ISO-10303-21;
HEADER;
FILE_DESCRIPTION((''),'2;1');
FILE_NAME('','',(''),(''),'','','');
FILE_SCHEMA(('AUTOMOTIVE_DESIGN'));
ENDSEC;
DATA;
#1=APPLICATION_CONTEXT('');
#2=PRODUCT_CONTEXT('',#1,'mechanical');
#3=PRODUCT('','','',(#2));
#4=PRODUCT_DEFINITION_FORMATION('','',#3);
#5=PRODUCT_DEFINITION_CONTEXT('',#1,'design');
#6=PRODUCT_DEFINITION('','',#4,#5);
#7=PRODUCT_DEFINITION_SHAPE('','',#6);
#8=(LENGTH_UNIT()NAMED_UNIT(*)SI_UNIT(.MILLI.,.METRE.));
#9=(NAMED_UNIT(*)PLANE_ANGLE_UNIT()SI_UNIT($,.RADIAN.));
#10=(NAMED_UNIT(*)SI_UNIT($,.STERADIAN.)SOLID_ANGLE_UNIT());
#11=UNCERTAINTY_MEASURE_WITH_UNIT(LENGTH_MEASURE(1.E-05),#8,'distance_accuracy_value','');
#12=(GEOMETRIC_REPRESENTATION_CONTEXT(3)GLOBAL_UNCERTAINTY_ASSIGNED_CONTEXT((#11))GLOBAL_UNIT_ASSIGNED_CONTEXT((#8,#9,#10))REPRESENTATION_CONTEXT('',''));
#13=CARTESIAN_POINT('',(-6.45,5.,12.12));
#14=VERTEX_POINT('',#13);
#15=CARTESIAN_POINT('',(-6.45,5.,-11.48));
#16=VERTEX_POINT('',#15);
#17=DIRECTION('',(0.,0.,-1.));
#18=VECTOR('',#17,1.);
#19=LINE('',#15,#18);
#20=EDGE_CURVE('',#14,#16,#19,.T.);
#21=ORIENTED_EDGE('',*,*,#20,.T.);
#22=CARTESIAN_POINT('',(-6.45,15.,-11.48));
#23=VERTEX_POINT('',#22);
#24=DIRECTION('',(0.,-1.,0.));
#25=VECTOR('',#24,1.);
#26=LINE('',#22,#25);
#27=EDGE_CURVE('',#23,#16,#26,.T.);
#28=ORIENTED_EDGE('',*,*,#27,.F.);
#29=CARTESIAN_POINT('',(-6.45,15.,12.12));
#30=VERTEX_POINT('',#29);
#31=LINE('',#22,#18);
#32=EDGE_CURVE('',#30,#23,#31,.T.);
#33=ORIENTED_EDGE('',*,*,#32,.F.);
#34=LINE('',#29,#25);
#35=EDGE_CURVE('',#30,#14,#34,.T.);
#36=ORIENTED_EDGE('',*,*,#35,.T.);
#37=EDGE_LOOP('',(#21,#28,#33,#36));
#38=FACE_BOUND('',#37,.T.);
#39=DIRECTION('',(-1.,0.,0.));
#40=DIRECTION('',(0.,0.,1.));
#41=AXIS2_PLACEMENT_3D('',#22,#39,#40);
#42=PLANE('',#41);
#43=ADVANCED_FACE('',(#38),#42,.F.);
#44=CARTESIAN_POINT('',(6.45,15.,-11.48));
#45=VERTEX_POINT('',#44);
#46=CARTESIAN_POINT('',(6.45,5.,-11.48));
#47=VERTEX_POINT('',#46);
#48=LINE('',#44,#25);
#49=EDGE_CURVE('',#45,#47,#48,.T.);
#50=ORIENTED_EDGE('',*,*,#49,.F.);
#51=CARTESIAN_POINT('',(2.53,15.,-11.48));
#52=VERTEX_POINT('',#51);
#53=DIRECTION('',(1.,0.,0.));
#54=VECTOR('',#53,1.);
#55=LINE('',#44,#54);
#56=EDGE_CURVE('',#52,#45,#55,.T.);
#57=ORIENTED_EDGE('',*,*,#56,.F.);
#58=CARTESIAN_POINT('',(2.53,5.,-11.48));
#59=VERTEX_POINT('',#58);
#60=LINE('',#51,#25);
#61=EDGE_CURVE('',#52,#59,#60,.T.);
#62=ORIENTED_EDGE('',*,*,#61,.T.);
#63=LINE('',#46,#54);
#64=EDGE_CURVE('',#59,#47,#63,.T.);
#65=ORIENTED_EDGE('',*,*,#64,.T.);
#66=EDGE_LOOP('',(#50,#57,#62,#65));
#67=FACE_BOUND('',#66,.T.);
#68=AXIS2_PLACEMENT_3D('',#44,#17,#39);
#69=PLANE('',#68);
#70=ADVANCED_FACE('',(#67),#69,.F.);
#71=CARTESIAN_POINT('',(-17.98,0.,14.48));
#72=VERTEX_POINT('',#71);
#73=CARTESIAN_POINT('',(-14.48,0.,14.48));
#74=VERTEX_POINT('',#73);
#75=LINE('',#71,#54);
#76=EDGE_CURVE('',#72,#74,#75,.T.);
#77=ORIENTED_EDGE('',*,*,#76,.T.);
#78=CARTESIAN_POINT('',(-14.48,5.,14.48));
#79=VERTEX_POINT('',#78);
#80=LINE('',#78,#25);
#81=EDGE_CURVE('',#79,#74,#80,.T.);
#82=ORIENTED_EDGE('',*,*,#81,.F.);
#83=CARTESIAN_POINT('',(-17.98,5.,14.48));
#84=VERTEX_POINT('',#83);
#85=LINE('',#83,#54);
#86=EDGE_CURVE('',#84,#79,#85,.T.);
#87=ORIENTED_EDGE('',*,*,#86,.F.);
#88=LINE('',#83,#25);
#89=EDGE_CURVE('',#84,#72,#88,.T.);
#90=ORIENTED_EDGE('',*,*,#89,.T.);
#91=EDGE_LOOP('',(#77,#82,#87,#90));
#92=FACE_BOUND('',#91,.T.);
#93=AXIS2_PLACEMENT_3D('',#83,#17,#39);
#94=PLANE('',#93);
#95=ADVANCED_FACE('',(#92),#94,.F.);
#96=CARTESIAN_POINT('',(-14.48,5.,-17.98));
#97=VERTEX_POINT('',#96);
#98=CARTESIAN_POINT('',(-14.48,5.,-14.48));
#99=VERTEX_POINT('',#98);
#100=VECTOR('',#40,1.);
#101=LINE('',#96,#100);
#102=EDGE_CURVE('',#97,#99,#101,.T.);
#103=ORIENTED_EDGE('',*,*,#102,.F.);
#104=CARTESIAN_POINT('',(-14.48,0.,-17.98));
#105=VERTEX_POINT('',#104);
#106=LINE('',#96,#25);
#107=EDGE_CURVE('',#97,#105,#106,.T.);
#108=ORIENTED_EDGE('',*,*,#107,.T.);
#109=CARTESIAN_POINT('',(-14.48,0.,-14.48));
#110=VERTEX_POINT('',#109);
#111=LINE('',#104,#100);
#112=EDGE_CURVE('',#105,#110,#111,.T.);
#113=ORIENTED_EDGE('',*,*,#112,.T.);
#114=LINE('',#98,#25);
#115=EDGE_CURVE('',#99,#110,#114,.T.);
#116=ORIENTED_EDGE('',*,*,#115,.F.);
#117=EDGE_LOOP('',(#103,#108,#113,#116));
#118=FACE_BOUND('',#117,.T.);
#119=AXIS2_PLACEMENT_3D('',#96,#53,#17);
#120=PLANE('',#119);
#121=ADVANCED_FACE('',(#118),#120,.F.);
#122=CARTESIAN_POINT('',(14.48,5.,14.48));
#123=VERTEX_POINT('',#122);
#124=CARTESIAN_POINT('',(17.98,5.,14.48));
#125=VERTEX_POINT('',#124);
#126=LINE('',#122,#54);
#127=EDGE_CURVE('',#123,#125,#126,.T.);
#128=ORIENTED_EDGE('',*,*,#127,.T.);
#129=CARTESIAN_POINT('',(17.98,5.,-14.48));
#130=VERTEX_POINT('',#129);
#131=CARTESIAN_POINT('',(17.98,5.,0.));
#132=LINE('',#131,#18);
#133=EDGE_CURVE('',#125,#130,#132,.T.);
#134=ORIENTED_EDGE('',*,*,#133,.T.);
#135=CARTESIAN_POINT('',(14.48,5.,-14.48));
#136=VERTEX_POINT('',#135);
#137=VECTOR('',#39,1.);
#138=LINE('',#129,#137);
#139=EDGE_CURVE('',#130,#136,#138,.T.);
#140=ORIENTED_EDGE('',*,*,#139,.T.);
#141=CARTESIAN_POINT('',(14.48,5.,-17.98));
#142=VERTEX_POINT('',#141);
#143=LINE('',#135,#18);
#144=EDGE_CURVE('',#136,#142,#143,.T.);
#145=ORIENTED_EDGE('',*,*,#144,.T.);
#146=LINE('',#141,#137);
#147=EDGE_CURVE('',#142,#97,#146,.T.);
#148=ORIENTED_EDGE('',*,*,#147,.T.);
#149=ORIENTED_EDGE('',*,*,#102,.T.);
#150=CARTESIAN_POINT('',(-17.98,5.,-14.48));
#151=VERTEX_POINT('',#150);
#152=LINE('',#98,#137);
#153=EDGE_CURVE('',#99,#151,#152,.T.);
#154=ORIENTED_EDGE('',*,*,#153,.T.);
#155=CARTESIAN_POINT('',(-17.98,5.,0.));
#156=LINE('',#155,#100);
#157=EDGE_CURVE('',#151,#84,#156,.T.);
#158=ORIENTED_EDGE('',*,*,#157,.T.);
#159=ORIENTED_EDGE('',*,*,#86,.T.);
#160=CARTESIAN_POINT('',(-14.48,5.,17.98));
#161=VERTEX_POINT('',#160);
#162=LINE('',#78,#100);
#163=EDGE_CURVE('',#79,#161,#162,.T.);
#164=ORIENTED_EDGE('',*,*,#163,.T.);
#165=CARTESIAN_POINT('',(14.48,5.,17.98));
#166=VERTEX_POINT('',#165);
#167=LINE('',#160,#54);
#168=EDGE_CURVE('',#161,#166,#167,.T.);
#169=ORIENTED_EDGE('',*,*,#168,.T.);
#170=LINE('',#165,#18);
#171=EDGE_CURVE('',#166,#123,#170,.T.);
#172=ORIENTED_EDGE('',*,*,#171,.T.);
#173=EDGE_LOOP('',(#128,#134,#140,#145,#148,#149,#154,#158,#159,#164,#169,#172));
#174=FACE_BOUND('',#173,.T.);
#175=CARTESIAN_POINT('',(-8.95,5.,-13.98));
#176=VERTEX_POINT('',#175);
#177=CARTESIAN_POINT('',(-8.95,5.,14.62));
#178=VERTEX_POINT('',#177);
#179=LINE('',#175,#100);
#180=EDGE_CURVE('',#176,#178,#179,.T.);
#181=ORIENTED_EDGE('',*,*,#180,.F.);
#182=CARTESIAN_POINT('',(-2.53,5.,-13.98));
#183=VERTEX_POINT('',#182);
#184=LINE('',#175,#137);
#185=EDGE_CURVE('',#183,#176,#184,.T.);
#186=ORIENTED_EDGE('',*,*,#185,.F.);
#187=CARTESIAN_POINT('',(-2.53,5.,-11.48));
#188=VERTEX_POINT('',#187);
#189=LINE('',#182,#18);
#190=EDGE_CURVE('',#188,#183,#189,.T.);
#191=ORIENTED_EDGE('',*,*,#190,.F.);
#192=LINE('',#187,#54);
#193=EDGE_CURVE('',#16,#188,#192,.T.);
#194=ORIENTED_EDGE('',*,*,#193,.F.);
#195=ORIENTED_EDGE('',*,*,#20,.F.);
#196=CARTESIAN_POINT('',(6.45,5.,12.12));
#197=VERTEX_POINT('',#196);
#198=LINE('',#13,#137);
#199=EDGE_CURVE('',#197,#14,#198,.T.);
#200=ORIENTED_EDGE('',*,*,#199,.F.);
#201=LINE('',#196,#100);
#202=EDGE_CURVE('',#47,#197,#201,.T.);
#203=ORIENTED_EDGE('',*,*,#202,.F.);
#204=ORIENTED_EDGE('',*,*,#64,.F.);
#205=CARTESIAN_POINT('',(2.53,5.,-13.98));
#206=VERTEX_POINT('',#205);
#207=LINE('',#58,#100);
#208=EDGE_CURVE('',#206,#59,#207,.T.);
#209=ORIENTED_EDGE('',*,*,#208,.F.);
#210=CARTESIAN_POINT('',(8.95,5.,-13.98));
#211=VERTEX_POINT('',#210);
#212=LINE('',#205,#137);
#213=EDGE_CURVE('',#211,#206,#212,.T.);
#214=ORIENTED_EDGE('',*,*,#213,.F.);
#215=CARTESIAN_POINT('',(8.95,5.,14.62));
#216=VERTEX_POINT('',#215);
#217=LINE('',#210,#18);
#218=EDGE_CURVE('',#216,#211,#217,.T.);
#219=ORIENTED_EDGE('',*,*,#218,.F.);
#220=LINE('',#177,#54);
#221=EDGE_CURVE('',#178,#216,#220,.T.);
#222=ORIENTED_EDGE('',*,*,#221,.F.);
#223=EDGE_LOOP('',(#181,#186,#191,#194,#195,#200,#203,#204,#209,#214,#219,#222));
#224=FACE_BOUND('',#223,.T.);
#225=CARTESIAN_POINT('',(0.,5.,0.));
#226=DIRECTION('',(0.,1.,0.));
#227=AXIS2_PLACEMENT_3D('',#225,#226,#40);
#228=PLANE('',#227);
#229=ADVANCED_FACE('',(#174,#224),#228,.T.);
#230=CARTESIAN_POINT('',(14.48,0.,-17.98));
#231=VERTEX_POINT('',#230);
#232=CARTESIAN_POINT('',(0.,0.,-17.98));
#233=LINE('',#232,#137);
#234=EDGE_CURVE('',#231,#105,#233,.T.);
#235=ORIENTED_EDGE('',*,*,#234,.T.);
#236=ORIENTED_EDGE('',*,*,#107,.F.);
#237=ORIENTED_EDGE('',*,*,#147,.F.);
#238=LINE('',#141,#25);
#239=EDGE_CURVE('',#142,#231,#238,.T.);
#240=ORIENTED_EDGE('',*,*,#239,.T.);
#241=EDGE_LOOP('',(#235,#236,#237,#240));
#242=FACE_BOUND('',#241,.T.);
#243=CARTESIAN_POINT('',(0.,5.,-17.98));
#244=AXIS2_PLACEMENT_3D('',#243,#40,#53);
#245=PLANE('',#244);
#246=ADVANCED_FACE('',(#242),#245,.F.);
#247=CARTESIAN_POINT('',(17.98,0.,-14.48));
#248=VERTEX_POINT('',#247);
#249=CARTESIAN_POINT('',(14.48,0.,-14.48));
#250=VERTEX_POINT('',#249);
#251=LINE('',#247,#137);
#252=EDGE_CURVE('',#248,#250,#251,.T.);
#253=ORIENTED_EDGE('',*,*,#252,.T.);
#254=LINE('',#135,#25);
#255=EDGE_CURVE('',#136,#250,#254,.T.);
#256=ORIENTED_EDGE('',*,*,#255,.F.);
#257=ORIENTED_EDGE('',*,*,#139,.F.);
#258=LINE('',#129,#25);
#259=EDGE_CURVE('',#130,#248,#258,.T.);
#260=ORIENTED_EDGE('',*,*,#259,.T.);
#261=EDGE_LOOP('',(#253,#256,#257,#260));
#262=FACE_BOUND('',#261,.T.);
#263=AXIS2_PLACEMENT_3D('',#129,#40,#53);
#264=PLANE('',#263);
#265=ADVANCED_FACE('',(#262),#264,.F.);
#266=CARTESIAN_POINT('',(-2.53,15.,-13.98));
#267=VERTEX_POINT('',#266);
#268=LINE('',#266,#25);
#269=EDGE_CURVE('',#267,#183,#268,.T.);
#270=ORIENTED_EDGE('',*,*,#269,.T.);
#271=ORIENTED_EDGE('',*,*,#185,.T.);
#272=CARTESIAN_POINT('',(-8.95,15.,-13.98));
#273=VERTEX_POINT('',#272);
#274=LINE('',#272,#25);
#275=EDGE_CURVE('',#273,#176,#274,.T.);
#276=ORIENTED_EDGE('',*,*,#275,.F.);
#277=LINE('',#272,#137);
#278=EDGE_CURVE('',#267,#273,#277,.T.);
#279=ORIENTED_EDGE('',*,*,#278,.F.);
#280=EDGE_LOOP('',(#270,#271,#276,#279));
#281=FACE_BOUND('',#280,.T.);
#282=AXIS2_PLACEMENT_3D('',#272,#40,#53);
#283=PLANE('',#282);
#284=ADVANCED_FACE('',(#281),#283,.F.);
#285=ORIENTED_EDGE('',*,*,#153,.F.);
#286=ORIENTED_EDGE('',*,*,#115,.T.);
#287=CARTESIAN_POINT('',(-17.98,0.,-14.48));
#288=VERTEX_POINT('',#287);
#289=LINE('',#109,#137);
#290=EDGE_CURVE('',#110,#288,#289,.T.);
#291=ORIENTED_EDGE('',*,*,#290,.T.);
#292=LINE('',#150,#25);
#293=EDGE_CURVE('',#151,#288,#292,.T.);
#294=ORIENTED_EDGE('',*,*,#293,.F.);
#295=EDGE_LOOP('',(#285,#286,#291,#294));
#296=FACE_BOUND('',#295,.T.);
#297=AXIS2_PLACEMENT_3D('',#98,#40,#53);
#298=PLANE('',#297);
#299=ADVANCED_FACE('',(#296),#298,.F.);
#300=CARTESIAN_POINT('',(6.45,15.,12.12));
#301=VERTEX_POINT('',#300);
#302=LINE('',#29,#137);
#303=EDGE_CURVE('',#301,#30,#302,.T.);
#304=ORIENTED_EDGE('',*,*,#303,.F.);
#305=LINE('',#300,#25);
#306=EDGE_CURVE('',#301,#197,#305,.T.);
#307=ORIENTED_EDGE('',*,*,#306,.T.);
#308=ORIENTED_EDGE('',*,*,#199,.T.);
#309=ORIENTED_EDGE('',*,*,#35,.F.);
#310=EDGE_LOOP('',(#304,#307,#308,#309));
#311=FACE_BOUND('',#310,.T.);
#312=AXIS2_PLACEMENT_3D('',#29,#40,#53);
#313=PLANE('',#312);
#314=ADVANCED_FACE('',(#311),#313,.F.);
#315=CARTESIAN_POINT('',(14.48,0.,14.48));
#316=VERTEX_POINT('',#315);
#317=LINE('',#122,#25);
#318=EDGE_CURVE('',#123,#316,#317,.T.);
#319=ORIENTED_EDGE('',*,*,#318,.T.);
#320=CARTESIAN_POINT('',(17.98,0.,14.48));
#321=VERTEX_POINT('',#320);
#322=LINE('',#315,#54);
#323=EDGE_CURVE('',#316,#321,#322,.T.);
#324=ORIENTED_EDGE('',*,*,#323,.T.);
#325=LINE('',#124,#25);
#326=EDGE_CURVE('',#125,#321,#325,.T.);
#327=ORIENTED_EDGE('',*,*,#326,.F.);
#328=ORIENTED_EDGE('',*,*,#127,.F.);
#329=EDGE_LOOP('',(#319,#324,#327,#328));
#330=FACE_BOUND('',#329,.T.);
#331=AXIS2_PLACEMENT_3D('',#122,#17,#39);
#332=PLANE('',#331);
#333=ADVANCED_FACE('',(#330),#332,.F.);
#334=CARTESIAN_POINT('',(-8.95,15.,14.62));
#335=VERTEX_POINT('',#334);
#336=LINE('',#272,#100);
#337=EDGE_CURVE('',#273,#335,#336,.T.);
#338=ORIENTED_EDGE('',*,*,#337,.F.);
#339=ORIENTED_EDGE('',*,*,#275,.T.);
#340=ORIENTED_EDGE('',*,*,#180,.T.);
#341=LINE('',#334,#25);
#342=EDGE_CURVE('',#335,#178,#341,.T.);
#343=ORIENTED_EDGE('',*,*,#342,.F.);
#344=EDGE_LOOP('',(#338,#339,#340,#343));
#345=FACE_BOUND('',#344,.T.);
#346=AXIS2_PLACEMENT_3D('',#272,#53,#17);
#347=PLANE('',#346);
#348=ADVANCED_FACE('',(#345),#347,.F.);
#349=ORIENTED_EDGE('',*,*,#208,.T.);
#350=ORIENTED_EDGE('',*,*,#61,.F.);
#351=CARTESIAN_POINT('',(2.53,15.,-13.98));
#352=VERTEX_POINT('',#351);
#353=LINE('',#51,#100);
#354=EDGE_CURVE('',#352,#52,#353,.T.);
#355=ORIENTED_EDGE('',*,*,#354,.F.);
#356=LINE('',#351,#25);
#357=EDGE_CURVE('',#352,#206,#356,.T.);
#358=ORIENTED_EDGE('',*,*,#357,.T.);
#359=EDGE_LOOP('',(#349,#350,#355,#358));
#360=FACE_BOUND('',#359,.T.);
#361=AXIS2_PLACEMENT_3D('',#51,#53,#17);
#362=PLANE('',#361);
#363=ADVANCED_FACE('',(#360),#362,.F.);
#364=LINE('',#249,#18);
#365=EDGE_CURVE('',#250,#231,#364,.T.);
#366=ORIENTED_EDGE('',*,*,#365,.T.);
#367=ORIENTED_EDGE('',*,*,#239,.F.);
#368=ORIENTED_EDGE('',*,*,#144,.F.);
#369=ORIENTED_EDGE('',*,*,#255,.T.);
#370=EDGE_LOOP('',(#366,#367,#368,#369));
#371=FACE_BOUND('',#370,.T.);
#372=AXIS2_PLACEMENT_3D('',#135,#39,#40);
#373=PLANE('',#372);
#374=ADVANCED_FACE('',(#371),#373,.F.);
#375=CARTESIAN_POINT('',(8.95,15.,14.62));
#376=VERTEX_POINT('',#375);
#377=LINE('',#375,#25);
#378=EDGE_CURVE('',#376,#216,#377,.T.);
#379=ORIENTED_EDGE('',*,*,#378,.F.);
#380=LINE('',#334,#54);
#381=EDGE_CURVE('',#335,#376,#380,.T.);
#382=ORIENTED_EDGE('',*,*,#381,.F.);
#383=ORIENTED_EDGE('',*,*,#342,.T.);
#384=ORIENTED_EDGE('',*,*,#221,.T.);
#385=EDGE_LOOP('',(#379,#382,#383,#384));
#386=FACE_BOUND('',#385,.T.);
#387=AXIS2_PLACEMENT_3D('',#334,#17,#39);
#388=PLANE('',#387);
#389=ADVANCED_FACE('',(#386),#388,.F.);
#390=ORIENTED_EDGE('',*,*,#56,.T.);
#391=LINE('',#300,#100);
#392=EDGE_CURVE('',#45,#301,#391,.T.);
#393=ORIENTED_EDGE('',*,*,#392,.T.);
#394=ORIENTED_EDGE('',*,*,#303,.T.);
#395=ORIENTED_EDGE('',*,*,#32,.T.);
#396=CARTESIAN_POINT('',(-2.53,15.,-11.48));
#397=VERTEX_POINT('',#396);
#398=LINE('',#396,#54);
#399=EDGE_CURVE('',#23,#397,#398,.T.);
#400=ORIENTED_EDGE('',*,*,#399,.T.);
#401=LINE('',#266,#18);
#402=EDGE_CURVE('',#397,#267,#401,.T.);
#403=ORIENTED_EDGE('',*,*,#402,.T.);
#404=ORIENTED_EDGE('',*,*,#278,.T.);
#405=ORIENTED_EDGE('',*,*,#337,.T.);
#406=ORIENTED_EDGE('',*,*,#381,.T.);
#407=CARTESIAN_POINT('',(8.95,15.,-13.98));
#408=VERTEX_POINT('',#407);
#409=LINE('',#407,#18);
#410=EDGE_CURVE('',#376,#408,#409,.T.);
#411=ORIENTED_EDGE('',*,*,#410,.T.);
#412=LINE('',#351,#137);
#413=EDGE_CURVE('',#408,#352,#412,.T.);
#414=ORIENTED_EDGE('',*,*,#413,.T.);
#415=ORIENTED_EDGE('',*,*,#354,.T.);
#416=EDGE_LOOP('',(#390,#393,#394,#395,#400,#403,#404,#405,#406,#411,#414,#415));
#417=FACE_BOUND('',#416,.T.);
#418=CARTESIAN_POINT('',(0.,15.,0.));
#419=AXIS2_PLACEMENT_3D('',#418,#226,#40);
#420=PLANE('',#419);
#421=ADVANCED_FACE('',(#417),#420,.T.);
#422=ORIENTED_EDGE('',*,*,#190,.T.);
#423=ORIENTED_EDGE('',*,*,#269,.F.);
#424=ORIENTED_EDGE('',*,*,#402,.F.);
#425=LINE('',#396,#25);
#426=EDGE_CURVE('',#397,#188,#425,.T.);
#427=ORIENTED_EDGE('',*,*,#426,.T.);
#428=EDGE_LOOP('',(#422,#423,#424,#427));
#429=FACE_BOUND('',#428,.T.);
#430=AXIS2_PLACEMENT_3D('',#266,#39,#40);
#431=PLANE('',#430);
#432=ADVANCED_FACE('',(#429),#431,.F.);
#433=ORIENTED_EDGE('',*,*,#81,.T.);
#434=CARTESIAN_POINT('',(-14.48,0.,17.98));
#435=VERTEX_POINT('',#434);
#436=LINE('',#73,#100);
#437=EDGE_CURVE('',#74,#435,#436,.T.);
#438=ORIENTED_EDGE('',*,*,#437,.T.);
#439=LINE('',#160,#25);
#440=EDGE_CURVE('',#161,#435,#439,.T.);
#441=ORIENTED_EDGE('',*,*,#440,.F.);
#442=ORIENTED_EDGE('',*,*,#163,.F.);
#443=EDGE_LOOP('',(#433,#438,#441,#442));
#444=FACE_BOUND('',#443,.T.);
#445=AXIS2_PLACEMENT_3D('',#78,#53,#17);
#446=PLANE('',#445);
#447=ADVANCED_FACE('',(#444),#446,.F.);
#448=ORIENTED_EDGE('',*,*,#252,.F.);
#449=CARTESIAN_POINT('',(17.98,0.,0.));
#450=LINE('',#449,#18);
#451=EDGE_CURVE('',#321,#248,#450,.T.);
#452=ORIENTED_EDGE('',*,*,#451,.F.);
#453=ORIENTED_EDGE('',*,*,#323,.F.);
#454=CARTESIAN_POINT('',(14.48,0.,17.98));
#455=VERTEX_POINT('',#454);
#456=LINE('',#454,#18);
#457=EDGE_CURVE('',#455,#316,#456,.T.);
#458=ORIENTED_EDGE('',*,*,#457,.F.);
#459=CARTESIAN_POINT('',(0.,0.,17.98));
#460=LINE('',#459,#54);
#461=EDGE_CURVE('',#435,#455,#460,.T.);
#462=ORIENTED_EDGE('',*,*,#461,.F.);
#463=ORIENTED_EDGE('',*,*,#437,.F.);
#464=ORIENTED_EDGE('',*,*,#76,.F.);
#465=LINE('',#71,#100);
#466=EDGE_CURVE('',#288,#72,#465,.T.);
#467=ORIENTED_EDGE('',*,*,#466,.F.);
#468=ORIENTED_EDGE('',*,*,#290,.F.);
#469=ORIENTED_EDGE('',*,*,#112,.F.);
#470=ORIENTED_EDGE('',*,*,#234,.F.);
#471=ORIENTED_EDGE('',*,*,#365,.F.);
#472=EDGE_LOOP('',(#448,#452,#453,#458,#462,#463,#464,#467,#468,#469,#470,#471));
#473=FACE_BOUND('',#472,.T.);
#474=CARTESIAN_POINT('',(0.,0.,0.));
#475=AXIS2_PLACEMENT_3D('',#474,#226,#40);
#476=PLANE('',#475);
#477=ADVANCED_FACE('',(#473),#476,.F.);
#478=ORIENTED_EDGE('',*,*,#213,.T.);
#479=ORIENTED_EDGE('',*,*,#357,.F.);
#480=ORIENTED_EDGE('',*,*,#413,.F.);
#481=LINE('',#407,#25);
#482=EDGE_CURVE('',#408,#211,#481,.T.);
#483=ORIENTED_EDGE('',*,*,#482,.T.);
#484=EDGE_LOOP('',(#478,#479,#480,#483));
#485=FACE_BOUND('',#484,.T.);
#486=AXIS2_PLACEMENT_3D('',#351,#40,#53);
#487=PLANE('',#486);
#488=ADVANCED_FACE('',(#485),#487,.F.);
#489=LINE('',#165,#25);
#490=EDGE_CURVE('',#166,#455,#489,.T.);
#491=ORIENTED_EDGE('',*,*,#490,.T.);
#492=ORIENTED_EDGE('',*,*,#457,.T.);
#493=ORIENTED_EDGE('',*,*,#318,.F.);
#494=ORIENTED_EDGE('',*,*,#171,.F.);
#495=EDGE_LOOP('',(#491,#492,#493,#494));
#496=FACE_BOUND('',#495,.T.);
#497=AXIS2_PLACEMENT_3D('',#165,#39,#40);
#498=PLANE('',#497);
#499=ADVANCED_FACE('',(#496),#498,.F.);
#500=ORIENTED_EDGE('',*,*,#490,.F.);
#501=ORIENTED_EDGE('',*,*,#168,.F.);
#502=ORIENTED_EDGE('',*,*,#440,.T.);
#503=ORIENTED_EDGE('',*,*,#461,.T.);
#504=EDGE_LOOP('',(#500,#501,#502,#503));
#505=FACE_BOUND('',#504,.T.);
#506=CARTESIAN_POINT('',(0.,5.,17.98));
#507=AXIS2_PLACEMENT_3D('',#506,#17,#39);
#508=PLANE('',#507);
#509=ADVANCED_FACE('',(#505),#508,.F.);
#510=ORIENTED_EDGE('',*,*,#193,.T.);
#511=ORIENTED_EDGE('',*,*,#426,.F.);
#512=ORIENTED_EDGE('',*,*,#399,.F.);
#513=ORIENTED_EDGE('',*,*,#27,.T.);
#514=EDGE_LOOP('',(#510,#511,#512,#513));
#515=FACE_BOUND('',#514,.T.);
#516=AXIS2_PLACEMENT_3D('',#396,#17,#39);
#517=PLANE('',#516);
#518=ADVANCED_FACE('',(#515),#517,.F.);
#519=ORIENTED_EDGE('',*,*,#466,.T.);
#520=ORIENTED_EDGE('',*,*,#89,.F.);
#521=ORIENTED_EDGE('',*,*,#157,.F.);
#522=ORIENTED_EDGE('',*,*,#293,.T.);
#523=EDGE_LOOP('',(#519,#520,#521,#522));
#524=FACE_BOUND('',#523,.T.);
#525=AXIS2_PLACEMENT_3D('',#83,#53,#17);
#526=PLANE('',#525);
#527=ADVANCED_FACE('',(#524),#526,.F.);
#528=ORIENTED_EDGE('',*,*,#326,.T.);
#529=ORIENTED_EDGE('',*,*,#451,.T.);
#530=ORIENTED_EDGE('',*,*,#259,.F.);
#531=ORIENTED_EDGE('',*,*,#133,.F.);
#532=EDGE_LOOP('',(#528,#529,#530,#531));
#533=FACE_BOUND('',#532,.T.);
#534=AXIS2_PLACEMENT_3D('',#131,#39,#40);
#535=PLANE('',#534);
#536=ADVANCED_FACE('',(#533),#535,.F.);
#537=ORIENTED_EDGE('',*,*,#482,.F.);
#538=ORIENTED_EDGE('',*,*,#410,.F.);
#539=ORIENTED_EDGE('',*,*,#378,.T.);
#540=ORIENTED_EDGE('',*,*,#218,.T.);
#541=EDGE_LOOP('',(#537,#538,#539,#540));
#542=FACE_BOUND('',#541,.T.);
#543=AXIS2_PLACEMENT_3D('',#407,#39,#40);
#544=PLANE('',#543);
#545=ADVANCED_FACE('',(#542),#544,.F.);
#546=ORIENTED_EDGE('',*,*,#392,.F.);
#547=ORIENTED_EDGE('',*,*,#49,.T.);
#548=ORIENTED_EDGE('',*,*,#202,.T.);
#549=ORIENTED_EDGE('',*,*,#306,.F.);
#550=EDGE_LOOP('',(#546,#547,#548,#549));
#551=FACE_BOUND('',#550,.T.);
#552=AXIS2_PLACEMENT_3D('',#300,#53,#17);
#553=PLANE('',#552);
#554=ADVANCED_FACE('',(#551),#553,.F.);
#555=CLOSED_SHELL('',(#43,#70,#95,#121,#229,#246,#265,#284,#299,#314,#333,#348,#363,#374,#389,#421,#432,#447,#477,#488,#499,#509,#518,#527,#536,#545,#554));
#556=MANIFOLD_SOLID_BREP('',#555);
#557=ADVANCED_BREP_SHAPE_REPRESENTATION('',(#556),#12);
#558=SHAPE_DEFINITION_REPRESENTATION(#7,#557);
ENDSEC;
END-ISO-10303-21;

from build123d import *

# Parameters (mm, degrees)
BOSS_EXTRUDE18_DEPTH = 5
BOSS_EXTRUDE19_DEPTH = 10


with BuildPart() as part:
    # Sketch21 → Boss-Extrude18 (new body)
    with BuildSketch(Plane(origin=(0, 0, 0), x_dir=(1, 0, 0), z_dir=(0, 1, 0))):
        Polygon((0, 17.98), (-14.48, 17.98), (-14.48, 14.48), (-17.98, 14.48), (-17.98, 0), (-17.98, -14.48), (-14.48, -14.48), (-14.48, -17.98), (0, -17.98), (14.48, -17.98), (14.48, -14.48), (17.98, -14.48), (17.98, 0), (17.98, 14.48), (14.48, 14.48), (14.48, 17.98), align=None)
    extrude(amount=BOSS_EXTRUDE18_DEPTH)

    # Sketch23 → Boss-Extrude19 (add)
    with BuildSketch(Plane(origin=(0, 5, 0), x_dir=(1, 0, 0), z_dir=(0, 1, 0))):
        Polygon((-8.95, 13.98), (-2.53, 13.98), (-2.53, 11.48), (-6.45, 11.48), (-6.45, -12.12), (6.45, -12.12), (6.45, 11.48), (2.53, 11.48), (2.53, 13.98), (8.95, 13.98), (8.95, -14.62), (-8.95, -14.62), align=None)
    extrude(amount=BOSS_EXTRUDE19_DEPTH)


solid = part.part
